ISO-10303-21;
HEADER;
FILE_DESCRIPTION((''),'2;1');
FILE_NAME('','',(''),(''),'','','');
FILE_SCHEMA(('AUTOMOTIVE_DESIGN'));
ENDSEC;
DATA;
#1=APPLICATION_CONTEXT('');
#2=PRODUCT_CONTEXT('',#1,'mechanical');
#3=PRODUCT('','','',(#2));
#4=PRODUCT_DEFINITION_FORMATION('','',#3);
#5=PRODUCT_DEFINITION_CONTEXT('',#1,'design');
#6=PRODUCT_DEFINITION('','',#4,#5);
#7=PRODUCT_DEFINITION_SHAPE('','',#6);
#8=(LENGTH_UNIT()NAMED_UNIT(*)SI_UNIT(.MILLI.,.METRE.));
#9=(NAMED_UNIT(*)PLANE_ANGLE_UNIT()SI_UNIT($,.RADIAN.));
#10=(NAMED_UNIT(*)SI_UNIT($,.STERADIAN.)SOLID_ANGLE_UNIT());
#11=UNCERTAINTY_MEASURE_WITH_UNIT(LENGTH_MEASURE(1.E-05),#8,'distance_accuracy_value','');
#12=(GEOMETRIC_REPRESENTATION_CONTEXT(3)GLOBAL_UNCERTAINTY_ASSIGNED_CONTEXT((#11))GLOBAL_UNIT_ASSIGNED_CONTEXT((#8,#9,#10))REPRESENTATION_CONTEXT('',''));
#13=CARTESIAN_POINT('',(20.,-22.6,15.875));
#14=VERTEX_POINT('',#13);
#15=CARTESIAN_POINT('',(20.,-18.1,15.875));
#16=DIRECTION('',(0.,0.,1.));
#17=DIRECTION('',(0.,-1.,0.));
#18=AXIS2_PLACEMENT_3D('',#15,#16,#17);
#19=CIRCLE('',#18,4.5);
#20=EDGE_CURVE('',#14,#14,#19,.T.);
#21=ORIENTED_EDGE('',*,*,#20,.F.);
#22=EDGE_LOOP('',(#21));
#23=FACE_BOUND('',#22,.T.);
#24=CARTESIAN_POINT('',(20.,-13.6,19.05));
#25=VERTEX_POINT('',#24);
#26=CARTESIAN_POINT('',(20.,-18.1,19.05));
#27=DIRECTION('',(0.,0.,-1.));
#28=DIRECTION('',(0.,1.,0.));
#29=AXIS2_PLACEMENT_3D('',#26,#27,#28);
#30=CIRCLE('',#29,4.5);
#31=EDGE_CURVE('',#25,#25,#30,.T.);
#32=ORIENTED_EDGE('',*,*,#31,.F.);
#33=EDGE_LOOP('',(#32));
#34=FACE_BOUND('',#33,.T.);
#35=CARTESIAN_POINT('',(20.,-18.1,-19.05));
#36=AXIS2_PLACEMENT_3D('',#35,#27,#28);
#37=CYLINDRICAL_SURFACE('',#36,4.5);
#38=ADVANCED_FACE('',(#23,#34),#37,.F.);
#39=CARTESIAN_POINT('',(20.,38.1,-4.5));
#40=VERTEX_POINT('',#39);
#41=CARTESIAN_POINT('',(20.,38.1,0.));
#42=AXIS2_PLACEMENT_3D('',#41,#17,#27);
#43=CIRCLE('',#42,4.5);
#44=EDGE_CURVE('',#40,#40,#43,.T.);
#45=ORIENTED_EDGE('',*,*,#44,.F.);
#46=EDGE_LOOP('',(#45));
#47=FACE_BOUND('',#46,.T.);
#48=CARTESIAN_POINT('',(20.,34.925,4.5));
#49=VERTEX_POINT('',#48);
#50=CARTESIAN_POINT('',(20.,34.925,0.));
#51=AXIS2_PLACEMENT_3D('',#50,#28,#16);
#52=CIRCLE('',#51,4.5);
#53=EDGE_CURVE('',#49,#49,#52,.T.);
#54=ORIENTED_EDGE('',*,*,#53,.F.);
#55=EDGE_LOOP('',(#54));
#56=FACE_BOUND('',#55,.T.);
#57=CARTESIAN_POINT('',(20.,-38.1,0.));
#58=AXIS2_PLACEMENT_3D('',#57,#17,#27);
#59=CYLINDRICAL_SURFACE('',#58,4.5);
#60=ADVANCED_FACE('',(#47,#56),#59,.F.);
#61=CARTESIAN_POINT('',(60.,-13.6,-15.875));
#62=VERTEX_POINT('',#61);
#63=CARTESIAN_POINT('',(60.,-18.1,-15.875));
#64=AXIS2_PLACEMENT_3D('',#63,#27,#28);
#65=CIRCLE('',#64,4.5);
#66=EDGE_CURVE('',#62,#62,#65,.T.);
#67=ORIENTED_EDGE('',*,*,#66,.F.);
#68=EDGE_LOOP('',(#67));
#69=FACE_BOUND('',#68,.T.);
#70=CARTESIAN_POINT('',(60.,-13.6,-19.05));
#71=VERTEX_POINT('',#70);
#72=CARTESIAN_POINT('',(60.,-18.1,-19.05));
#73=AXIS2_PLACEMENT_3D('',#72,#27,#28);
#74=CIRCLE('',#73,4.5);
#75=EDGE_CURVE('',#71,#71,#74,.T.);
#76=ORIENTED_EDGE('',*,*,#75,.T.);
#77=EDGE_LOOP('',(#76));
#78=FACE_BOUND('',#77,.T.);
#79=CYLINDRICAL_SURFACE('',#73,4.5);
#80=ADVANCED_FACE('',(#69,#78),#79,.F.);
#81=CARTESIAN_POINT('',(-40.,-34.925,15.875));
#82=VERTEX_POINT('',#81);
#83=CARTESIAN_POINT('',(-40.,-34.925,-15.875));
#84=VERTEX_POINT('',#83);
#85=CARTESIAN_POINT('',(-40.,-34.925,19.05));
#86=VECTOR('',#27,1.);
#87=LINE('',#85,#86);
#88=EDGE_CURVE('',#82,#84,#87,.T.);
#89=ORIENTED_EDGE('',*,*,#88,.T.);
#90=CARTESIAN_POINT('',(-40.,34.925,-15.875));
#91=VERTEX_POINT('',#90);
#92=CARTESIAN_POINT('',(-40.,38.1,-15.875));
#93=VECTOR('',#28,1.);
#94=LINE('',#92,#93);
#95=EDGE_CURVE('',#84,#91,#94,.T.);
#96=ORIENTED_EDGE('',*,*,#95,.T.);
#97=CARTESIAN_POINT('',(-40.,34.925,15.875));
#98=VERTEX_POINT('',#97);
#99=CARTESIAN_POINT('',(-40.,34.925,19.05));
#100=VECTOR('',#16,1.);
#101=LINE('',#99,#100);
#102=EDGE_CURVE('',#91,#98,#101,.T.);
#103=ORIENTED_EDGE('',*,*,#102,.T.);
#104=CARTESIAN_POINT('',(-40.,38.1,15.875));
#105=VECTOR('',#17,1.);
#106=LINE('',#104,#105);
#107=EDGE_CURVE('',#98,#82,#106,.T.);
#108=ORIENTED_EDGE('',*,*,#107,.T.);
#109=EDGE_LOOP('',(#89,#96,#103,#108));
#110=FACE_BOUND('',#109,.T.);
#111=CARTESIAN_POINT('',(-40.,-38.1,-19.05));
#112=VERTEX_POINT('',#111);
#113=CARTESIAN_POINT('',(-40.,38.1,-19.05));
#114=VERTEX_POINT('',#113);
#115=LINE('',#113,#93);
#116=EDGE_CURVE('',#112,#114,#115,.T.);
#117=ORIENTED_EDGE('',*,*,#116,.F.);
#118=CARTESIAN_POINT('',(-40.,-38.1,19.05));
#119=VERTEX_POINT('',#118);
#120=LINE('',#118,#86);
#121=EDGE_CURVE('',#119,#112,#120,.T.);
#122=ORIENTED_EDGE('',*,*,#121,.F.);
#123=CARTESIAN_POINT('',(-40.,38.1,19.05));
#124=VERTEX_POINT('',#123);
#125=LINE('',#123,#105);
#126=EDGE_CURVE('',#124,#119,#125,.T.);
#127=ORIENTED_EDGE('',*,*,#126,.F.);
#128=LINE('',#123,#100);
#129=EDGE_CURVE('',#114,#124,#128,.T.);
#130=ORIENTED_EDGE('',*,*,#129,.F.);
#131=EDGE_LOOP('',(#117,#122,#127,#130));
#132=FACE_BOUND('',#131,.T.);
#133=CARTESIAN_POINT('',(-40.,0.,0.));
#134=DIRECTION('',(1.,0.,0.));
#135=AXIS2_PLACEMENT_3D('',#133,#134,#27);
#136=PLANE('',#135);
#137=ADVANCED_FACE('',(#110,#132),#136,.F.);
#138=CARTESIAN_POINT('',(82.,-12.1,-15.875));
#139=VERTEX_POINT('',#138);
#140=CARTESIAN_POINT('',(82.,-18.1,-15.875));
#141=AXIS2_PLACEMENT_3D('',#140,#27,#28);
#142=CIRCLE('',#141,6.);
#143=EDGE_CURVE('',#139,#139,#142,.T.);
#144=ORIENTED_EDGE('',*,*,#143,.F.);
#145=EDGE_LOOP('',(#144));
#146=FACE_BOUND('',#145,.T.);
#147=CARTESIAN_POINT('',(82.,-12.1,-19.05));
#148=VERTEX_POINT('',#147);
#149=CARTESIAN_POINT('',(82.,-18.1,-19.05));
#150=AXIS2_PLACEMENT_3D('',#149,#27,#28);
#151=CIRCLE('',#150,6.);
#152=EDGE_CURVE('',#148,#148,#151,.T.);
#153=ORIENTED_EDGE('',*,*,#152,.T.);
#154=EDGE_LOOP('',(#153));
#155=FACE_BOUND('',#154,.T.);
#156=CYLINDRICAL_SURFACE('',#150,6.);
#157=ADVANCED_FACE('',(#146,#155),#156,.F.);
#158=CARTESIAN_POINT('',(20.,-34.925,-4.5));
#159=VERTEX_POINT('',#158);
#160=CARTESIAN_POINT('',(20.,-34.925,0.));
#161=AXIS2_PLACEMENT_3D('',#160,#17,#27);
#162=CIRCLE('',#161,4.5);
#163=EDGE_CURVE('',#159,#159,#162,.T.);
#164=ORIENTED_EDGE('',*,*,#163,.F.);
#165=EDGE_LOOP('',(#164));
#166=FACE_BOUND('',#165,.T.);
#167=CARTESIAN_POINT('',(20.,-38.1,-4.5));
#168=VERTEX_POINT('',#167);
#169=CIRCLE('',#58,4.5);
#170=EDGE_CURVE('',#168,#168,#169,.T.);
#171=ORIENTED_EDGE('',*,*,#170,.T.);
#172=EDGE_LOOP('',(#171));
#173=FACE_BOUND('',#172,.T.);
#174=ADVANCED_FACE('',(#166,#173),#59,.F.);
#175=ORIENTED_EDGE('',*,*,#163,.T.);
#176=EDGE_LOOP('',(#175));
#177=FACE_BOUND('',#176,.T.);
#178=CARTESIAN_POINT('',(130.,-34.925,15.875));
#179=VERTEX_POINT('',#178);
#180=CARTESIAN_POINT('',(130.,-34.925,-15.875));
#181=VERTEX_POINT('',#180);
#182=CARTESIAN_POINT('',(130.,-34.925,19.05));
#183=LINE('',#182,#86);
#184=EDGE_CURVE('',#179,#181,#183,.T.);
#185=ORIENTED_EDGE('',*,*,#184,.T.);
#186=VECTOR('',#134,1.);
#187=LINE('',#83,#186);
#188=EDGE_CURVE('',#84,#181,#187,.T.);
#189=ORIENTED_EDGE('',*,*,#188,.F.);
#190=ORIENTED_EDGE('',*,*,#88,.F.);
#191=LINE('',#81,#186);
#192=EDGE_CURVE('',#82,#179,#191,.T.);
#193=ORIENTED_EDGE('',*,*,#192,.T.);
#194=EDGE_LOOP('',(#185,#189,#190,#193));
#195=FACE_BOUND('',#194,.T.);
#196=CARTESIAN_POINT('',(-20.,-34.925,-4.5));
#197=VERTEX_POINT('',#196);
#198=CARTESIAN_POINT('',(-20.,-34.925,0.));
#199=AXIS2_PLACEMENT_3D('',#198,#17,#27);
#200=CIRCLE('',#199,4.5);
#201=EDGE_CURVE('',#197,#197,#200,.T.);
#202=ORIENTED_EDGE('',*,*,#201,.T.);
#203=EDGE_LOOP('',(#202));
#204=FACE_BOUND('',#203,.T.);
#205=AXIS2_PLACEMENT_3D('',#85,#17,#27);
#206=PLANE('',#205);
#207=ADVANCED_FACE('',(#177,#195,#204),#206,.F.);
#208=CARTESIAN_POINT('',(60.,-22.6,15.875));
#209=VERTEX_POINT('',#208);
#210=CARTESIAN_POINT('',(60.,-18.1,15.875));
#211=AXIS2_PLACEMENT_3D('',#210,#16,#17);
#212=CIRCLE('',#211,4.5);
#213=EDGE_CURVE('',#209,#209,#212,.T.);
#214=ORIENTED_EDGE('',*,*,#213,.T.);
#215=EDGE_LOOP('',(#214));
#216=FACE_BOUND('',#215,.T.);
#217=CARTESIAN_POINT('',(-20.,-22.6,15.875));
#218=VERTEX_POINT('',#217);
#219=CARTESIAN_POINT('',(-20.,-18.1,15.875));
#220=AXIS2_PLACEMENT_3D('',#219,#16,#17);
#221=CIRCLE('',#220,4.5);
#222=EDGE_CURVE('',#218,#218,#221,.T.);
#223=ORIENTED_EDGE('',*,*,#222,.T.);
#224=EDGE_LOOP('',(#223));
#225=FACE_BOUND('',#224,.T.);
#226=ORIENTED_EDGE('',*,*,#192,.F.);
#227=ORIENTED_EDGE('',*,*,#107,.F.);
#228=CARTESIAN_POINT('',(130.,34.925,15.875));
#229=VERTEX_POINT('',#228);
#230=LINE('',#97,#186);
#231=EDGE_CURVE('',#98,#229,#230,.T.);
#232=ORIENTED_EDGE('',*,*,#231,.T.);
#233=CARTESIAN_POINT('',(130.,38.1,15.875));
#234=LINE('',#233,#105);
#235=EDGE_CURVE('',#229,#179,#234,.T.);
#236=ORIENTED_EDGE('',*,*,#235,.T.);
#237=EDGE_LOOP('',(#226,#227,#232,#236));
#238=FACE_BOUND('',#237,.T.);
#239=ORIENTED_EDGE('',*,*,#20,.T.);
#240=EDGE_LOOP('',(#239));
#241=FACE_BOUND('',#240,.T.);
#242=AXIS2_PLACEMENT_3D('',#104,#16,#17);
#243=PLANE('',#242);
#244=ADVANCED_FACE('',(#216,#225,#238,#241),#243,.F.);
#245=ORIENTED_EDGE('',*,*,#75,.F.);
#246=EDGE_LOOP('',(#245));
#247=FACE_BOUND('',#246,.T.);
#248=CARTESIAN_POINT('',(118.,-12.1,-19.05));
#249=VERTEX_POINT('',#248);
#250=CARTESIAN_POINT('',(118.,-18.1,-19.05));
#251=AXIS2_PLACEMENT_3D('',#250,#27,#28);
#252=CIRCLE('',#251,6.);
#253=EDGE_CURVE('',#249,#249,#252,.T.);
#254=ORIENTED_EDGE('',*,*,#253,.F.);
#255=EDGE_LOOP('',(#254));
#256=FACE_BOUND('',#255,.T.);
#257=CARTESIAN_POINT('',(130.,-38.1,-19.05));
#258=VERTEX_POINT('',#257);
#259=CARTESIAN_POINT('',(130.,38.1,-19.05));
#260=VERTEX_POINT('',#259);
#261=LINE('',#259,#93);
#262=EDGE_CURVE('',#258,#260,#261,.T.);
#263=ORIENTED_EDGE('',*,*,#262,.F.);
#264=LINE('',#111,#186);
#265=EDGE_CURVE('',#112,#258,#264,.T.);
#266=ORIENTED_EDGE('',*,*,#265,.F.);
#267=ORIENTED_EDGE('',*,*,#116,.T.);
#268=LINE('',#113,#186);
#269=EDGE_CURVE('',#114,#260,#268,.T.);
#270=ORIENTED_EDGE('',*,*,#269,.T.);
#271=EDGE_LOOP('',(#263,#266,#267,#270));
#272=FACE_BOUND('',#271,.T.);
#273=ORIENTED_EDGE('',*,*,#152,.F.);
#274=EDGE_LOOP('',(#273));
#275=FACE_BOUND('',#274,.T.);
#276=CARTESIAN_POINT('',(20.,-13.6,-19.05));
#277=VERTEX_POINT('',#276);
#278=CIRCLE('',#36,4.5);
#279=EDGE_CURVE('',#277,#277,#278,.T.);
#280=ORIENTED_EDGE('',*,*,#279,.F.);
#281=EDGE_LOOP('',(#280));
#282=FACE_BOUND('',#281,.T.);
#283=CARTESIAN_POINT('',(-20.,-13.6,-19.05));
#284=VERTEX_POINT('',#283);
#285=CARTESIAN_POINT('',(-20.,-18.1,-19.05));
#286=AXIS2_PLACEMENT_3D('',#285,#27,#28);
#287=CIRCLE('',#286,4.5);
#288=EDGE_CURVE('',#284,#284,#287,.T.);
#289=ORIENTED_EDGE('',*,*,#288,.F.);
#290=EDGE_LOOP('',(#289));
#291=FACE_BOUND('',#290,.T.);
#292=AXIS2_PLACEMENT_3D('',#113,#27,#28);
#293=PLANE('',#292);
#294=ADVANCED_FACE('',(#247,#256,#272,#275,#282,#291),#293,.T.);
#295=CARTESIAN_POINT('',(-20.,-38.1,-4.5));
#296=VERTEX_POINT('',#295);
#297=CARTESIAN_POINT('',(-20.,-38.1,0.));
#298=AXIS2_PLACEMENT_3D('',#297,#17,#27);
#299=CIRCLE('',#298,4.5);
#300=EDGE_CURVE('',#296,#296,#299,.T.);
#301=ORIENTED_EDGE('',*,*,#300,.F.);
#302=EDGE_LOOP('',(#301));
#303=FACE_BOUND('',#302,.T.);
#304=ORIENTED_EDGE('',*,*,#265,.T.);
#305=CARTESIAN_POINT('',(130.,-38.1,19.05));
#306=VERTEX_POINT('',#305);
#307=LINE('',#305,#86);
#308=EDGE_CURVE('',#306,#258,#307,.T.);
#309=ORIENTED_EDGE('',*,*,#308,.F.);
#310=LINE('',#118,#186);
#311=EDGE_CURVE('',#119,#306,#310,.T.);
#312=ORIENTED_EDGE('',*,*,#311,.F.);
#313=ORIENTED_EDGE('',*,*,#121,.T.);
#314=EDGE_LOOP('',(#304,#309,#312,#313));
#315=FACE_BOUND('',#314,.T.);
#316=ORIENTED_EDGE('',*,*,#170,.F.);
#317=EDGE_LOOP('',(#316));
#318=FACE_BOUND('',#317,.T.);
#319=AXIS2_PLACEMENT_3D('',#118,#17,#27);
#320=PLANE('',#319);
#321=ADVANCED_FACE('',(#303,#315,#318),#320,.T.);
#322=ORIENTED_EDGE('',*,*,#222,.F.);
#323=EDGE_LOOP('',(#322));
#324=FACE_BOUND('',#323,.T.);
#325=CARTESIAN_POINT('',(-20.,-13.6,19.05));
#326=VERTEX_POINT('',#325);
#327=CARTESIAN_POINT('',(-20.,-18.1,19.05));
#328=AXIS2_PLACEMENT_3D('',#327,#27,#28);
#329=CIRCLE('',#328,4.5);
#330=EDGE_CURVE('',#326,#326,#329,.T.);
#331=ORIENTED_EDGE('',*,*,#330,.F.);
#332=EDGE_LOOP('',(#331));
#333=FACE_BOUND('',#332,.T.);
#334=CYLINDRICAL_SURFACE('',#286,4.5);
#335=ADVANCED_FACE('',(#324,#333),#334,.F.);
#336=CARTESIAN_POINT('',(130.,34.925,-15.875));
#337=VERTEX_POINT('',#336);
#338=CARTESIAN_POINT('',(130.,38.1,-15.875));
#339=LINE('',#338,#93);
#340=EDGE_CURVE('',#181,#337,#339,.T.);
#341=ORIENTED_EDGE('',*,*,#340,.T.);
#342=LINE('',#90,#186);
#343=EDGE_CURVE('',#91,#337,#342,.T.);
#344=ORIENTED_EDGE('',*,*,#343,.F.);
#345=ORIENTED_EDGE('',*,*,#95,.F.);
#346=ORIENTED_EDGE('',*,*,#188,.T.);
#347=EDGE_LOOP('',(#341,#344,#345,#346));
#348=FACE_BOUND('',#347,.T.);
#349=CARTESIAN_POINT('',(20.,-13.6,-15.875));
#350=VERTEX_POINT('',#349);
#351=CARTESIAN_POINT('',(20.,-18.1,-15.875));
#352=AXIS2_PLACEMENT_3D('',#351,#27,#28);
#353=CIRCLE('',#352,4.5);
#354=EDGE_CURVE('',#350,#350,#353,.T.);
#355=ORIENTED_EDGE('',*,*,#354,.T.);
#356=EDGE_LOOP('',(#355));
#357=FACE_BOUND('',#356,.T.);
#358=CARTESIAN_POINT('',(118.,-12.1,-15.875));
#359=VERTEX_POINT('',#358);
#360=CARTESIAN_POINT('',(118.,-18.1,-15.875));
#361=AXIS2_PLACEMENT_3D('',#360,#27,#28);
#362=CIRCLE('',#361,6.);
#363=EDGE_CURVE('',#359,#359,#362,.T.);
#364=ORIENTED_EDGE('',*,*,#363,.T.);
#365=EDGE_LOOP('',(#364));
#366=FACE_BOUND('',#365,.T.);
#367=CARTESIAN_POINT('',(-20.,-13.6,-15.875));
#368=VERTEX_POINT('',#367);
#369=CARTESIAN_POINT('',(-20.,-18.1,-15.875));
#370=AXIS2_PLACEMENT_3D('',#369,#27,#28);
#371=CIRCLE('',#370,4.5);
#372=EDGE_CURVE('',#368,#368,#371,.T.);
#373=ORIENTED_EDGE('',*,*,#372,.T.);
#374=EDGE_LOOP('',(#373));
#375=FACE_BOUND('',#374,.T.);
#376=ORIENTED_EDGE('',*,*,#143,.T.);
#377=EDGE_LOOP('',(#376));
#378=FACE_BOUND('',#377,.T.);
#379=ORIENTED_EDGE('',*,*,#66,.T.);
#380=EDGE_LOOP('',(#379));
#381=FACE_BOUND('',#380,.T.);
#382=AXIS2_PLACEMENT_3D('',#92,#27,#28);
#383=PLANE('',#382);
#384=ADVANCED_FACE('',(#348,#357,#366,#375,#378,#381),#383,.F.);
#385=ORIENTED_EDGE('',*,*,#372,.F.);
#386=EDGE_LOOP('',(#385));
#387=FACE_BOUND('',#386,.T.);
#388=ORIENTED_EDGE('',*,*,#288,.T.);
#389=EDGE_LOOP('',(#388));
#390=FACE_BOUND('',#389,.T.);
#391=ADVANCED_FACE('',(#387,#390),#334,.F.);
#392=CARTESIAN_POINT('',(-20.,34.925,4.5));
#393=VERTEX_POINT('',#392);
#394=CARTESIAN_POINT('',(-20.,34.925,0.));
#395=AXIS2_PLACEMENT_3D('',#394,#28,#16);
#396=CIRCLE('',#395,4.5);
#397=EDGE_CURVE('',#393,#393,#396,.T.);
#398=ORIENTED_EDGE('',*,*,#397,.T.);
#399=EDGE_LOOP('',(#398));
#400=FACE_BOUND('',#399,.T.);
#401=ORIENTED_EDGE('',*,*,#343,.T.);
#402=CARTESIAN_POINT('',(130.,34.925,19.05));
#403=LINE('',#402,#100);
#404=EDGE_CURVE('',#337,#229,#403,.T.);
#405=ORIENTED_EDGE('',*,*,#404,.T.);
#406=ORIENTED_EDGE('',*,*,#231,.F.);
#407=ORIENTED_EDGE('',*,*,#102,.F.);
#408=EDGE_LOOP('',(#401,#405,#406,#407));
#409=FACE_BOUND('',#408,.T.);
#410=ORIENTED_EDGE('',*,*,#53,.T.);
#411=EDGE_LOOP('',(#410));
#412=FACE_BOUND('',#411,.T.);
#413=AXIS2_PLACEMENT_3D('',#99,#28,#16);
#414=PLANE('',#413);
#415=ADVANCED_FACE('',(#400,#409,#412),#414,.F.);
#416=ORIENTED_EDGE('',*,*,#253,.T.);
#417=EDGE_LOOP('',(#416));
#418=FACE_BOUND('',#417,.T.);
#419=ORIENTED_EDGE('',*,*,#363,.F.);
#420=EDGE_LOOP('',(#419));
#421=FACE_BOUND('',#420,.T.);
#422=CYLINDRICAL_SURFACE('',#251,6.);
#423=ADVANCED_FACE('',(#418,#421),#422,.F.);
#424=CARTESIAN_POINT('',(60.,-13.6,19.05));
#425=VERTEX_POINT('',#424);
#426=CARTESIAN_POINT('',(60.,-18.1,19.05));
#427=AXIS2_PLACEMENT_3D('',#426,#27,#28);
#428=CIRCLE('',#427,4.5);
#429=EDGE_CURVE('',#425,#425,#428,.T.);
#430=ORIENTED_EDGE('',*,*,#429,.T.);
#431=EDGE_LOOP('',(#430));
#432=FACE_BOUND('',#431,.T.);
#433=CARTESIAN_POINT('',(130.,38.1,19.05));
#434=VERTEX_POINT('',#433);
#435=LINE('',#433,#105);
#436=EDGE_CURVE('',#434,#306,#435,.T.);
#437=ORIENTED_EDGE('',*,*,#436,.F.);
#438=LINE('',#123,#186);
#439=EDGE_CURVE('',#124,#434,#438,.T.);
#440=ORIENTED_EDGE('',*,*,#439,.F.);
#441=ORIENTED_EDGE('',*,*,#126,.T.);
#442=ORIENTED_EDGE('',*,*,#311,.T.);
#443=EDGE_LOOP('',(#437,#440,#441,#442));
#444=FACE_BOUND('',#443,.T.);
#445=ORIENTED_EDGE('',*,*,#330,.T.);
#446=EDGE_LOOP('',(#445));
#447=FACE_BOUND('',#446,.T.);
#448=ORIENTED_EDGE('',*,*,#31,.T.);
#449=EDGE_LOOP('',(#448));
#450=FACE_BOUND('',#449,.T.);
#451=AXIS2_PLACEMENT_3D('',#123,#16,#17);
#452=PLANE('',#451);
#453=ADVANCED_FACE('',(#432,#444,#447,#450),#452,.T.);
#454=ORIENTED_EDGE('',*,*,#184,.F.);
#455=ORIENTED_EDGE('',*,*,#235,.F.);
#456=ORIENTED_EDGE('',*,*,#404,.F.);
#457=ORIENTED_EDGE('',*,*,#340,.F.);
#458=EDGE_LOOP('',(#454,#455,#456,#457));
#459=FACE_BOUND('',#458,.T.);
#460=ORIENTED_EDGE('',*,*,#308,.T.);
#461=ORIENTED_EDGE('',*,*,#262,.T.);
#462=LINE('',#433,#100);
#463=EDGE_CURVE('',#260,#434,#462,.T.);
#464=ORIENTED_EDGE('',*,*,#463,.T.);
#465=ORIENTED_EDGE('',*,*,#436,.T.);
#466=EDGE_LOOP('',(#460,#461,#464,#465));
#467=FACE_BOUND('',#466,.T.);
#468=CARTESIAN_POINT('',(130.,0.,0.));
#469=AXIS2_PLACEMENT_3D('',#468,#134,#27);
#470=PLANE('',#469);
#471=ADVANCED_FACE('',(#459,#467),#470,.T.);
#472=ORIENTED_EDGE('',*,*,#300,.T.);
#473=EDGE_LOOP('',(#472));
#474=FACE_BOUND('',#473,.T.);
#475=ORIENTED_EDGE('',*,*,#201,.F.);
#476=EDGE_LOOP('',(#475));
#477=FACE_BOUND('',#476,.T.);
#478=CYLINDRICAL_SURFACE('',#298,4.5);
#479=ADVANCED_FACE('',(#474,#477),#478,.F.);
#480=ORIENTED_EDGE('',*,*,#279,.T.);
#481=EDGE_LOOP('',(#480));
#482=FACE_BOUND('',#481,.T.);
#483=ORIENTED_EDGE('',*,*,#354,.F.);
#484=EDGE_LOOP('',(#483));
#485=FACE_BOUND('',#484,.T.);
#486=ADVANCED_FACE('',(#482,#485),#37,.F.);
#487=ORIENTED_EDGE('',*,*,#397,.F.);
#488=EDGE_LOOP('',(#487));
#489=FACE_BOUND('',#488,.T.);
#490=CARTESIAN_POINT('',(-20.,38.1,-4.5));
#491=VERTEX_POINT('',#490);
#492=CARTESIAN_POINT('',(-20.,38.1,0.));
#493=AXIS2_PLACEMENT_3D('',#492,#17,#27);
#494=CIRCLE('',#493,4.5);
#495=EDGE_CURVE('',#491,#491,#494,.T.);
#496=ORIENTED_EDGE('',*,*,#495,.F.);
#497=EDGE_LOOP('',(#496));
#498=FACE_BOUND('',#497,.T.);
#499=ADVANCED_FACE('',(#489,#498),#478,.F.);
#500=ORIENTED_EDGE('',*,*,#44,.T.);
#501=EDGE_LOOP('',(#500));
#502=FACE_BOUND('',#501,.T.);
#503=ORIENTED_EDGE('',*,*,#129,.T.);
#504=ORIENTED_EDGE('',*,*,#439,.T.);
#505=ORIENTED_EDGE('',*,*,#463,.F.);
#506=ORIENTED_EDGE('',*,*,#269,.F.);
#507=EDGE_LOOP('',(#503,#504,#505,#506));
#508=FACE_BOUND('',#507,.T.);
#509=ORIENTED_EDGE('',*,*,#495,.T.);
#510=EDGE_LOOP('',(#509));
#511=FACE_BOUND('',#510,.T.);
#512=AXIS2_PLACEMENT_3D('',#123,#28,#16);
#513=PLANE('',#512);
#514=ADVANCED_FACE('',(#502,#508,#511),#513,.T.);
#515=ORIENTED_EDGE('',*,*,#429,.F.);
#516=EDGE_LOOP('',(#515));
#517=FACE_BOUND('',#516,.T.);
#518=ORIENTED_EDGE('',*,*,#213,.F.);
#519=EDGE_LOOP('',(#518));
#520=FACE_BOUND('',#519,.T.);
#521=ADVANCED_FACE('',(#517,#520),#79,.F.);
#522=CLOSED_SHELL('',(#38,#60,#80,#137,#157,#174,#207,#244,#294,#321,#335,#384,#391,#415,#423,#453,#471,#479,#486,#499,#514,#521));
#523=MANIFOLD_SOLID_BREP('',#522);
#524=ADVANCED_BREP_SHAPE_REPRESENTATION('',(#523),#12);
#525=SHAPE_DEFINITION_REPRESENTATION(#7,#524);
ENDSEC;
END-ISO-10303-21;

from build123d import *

# Parameters (mm, degrees)
EXTRUDE_THIN1_START            = -40
SKETCH1_W                      = 38.1
SKETCH1_H                      = 76.2
SKETCH1_W_2                    = 31.75
SKETCH1_H_2                    = 69.85
EXTRUDE_THIN1_DEPTH            = 170
M8_CLEARANCE_HOLE2_D           = 9
M8_CLEARANCE_HOLE3_D           = 9
F_12_0_12_DIAMETER_HOLE1_D     = 12
F_12_0_12_DIAMETER_HOLE1_DEPTH = 3.175


with BuildPart() as part:
    # Sketch1 → Extrude-Thin1 (new body)
    with BuildSketch(Plane(origin=(0, 0, 0), x_dir=(0, 0, -1), z_dir=(1, 0, 0)).offset(EXTRUDE_THIN1_START)):
        Rectangle(SKETCH1_W, SKETCH1_H)
        Rectangle(SKETCH1_W_2, SKETCH1_H_2, mode=Mode.SUBTRACT)
    extrude(amount=EXTRUDE_THIN1_DEPTH)

    # M8 Clearance Hole2 (through all)
    with Locations(Plane(origin=(0, 0, -19.05), x_dir=(-1, 0, 0), z_dir=(0, 0, -1))):
        with Locations((20, -18.1), (-20, -18.1), (-60, -18.1)):
            Hole(M8_CLEARANCE_HOLE2_D / 2)

    # M8 Clearance Hole3 (through all)
    with Locations(Plane(origin=(0, -38.1, 0), x_dir=(-1, 0, 0), z_dir=(0, -1, 0))):
        with Locations((-20, 0), (20, 0)):
            Hole(M8_CLEARANCE_HOLE3_D / 2)

    # Ø12.0 (12) Diameter Hole1
    with Locations(Plane(origin=(0, 0, -19.05), x_dir=(-1, 0, 0), z_dir=(0, 0, -1))):
        with Locations((-118, -18.1), (-82, -18.1)):
            Hole(F_12_0_12_DIAMETER_HOLE1_D / 2, depth=F_12_0_12_DIAMETER_HOLE1_DEPTH)


solid = part.part
